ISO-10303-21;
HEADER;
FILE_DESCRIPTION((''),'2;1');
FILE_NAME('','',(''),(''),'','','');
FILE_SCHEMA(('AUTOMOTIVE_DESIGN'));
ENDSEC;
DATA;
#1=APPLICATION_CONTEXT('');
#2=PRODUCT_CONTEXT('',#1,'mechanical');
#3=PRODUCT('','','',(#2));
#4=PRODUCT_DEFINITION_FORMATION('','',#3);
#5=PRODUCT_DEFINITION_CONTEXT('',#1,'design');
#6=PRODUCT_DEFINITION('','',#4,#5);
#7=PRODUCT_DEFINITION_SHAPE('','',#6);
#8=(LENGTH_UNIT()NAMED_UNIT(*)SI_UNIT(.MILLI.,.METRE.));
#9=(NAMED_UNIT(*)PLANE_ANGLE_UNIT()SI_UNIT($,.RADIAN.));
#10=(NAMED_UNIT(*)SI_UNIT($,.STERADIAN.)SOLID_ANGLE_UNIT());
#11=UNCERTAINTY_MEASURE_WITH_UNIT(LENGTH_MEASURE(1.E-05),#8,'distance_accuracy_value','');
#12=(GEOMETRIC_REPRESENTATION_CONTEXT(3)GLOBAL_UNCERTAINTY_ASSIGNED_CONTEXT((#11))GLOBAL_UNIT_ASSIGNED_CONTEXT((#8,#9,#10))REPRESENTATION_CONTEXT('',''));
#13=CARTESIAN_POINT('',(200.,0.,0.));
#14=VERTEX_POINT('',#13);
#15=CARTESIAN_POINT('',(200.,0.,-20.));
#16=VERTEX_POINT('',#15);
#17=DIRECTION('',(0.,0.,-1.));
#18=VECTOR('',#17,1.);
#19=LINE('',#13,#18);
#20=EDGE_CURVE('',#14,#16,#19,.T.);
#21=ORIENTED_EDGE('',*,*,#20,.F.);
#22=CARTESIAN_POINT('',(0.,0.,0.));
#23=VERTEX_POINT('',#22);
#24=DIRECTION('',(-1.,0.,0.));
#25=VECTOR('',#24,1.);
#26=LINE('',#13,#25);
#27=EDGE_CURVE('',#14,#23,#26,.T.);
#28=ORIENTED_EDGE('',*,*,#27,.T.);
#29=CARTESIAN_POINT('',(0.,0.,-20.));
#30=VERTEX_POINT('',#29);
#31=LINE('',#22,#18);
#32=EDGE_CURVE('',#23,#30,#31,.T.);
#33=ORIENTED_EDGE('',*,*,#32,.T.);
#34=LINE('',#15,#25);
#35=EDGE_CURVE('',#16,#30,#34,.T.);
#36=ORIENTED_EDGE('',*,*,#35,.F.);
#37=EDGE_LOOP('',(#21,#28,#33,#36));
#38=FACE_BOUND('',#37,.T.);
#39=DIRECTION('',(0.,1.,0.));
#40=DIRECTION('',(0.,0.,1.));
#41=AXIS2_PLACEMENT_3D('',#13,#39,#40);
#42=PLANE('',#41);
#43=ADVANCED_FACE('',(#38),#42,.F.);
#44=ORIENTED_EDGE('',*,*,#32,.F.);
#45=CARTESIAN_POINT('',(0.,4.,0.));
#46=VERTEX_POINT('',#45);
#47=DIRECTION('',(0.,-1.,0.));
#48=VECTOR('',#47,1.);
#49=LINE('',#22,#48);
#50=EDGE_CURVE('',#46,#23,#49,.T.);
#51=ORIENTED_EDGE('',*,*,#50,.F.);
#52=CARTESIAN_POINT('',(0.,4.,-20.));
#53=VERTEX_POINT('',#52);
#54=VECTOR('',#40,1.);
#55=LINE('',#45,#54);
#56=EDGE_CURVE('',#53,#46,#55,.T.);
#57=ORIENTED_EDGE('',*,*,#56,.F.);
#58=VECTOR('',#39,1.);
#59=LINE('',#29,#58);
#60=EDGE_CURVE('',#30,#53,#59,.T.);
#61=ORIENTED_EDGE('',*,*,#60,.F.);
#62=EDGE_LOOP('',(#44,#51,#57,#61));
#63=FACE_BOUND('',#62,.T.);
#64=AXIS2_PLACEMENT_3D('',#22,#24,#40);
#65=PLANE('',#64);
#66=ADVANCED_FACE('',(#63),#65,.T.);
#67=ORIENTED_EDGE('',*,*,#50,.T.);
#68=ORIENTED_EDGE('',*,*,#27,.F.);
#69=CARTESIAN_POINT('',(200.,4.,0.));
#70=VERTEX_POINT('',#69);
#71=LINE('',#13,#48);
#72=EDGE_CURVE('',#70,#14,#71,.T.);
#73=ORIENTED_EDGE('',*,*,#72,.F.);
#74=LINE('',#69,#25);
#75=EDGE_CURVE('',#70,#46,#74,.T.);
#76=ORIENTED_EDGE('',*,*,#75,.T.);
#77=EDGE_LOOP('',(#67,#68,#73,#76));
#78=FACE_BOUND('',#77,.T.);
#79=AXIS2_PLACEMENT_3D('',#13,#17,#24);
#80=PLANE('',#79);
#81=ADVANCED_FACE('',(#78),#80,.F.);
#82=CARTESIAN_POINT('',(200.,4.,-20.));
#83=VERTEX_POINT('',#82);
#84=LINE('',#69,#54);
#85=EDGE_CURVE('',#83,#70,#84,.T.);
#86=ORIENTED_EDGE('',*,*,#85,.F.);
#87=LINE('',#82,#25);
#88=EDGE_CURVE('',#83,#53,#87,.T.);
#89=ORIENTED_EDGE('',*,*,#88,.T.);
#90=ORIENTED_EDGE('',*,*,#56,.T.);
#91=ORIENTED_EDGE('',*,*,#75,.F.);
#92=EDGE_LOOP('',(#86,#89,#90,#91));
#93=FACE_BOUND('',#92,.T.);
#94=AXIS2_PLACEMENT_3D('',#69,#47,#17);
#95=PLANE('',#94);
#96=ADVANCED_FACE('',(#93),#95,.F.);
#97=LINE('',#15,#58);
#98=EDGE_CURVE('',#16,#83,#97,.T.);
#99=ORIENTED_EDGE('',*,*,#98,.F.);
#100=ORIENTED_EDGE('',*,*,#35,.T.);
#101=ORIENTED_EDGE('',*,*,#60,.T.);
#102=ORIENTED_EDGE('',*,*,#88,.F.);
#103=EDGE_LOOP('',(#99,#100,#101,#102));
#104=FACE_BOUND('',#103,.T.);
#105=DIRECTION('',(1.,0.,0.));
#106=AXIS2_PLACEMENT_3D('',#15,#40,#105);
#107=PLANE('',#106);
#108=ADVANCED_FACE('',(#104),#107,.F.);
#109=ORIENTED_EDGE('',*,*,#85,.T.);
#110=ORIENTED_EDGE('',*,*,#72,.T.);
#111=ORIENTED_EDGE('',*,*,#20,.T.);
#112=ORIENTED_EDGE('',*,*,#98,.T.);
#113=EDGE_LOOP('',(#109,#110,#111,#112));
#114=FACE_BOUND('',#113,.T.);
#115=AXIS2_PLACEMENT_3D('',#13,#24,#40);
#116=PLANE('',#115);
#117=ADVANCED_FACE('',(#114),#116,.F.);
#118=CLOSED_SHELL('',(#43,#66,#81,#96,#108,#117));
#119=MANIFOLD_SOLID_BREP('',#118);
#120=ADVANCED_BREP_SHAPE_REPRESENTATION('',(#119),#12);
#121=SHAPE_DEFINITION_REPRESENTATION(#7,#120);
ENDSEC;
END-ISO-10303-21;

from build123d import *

# Parameters (mm, degrees)
SKETCH_1_W      = 20
SKETCH_1_H      = 4
EXTRUDE_1_DEPTH = 200


with BuildPart() as part:
    # Эскиз1 → Бобышка-Вытянуть1 (new body)
    with BuildSketch(Plane(origin=(0, 0, 0), x_dir=(0, 0, -1), z_dir=(1, 0, 0))):
        with Locations((10, 2)):
            Rectangle(SKETCH_1_W, SKETCH_1_H)
    extrude(amount=EXTRUDE_1_DEPTH)


solid = part.part
